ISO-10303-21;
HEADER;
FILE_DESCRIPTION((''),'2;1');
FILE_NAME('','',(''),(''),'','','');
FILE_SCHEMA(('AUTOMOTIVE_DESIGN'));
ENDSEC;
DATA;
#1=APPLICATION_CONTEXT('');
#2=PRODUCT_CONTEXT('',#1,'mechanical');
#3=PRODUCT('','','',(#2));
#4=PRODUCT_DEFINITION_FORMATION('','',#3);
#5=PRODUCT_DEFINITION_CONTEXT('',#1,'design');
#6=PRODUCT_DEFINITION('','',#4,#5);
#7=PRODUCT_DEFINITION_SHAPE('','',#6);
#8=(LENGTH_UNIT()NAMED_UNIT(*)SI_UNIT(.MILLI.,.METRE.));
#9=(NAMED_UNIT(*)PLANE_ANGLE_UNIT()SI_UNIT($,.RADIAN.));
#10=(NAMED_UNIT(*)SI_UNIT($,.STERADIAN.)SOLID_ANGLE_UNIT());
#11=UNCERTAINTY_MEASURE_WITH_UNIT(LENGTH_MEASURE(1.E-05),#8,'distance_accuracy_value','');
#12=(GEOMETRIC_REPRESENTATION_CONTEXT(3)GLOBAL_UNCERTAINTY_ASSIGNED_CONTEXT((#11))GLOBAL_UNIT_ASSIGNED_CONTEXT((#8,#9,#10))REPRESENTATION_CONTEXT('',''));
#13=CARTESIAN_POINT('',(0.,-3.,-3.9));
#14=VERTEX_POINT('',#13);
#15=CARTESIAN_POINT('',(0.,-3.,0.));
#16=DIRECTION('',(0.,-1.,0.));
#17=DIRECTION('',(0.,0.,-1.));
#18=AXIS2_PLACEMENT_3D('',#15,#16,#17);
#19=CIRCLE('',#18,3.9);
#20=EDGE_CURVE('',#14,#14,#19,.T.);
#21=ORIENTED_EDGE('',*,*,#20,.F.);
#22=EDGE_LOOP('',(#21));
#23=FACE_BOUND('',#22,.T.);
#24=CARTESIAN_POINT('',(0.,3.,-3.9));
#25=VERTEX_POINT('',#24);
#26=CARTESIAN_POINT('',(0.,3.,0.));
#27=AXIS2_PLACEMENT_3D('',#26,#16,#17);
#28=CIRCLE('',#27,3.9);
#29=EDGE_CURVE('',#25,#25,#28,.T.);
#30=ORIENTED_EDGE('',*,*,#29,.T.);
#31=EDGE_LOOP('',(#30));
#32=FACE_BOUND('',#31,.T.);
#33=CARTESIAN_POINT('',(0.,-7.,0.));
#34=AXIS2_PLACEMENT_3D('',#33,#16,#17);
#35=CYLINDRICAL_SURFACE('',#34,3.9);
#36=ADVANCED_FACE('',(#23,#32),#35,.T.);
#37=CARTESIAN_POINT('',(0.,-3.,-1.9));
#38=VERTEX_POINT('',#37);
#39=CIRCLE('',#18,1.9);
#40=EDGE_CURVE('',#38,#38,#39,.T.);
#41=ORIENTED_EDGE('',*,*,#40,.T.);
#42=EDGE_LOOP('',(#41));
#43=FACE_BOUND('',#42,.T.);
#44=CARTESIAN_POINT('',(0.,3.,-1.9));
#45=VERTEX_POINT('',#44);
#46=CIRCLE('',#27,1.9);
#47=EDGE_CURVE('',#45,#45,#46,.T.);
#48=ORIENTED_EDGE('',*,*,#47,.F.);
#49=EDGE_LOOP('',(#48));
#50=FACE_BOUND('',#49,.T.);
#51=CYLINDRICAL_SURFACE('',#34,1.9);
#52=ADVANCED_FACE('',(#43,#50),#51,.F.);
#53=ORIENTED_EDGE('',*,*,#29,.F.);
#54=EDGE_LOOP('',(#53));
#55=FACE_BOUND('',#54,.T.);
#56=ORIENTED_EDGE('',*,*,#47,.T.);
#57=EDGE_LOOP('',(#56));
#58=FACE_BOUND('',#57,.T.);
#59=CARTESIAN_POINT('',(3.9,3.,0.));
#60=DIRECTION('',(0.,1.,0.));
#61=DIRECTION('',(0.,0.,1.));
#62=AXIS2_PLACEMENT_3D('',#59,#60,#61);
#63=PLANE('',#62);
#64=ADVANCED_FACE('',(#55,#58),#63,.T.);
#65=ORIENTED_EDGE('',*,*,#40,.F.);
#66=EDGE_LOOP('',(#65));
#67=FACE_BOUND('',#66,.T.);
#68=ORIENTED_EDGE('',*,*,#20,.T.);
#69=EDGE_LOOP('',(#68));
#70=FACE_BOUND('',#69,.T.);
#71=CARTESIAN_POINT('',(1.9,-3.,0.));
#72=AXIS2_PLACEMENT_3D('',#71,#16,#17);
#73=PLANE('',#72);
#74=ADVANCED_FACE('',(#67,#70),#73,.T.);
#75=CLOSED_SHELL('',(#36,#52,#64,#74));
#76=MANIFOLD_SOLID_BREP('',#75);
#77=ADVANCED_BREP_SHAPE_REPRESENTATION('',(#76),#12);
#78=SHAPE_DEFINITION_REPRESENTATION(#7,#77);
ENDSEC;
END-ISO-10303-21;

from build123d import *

# Parameters (mm, degrees)
SKETCH1_W = 2
SKETCH1_H = 6


with BuildPart() as part:
    # Sketch1 → Ojal_guia (revolve)
    with BuildSketch(Plane.XY, mode=Mode.PRIVATE) as ojal_guia_sk:
        with Locations((2.9, 0)):
            Rectangle(SKETCH1_W, SKETCH1_H)
    revolve(ojal_guia_sk.sketch.rotate(Axis((0, -7, 0), (0, 1, 0)), 90), axis=Axis((0, -7, 0), (0, 1, 0)))


solid = part.part
